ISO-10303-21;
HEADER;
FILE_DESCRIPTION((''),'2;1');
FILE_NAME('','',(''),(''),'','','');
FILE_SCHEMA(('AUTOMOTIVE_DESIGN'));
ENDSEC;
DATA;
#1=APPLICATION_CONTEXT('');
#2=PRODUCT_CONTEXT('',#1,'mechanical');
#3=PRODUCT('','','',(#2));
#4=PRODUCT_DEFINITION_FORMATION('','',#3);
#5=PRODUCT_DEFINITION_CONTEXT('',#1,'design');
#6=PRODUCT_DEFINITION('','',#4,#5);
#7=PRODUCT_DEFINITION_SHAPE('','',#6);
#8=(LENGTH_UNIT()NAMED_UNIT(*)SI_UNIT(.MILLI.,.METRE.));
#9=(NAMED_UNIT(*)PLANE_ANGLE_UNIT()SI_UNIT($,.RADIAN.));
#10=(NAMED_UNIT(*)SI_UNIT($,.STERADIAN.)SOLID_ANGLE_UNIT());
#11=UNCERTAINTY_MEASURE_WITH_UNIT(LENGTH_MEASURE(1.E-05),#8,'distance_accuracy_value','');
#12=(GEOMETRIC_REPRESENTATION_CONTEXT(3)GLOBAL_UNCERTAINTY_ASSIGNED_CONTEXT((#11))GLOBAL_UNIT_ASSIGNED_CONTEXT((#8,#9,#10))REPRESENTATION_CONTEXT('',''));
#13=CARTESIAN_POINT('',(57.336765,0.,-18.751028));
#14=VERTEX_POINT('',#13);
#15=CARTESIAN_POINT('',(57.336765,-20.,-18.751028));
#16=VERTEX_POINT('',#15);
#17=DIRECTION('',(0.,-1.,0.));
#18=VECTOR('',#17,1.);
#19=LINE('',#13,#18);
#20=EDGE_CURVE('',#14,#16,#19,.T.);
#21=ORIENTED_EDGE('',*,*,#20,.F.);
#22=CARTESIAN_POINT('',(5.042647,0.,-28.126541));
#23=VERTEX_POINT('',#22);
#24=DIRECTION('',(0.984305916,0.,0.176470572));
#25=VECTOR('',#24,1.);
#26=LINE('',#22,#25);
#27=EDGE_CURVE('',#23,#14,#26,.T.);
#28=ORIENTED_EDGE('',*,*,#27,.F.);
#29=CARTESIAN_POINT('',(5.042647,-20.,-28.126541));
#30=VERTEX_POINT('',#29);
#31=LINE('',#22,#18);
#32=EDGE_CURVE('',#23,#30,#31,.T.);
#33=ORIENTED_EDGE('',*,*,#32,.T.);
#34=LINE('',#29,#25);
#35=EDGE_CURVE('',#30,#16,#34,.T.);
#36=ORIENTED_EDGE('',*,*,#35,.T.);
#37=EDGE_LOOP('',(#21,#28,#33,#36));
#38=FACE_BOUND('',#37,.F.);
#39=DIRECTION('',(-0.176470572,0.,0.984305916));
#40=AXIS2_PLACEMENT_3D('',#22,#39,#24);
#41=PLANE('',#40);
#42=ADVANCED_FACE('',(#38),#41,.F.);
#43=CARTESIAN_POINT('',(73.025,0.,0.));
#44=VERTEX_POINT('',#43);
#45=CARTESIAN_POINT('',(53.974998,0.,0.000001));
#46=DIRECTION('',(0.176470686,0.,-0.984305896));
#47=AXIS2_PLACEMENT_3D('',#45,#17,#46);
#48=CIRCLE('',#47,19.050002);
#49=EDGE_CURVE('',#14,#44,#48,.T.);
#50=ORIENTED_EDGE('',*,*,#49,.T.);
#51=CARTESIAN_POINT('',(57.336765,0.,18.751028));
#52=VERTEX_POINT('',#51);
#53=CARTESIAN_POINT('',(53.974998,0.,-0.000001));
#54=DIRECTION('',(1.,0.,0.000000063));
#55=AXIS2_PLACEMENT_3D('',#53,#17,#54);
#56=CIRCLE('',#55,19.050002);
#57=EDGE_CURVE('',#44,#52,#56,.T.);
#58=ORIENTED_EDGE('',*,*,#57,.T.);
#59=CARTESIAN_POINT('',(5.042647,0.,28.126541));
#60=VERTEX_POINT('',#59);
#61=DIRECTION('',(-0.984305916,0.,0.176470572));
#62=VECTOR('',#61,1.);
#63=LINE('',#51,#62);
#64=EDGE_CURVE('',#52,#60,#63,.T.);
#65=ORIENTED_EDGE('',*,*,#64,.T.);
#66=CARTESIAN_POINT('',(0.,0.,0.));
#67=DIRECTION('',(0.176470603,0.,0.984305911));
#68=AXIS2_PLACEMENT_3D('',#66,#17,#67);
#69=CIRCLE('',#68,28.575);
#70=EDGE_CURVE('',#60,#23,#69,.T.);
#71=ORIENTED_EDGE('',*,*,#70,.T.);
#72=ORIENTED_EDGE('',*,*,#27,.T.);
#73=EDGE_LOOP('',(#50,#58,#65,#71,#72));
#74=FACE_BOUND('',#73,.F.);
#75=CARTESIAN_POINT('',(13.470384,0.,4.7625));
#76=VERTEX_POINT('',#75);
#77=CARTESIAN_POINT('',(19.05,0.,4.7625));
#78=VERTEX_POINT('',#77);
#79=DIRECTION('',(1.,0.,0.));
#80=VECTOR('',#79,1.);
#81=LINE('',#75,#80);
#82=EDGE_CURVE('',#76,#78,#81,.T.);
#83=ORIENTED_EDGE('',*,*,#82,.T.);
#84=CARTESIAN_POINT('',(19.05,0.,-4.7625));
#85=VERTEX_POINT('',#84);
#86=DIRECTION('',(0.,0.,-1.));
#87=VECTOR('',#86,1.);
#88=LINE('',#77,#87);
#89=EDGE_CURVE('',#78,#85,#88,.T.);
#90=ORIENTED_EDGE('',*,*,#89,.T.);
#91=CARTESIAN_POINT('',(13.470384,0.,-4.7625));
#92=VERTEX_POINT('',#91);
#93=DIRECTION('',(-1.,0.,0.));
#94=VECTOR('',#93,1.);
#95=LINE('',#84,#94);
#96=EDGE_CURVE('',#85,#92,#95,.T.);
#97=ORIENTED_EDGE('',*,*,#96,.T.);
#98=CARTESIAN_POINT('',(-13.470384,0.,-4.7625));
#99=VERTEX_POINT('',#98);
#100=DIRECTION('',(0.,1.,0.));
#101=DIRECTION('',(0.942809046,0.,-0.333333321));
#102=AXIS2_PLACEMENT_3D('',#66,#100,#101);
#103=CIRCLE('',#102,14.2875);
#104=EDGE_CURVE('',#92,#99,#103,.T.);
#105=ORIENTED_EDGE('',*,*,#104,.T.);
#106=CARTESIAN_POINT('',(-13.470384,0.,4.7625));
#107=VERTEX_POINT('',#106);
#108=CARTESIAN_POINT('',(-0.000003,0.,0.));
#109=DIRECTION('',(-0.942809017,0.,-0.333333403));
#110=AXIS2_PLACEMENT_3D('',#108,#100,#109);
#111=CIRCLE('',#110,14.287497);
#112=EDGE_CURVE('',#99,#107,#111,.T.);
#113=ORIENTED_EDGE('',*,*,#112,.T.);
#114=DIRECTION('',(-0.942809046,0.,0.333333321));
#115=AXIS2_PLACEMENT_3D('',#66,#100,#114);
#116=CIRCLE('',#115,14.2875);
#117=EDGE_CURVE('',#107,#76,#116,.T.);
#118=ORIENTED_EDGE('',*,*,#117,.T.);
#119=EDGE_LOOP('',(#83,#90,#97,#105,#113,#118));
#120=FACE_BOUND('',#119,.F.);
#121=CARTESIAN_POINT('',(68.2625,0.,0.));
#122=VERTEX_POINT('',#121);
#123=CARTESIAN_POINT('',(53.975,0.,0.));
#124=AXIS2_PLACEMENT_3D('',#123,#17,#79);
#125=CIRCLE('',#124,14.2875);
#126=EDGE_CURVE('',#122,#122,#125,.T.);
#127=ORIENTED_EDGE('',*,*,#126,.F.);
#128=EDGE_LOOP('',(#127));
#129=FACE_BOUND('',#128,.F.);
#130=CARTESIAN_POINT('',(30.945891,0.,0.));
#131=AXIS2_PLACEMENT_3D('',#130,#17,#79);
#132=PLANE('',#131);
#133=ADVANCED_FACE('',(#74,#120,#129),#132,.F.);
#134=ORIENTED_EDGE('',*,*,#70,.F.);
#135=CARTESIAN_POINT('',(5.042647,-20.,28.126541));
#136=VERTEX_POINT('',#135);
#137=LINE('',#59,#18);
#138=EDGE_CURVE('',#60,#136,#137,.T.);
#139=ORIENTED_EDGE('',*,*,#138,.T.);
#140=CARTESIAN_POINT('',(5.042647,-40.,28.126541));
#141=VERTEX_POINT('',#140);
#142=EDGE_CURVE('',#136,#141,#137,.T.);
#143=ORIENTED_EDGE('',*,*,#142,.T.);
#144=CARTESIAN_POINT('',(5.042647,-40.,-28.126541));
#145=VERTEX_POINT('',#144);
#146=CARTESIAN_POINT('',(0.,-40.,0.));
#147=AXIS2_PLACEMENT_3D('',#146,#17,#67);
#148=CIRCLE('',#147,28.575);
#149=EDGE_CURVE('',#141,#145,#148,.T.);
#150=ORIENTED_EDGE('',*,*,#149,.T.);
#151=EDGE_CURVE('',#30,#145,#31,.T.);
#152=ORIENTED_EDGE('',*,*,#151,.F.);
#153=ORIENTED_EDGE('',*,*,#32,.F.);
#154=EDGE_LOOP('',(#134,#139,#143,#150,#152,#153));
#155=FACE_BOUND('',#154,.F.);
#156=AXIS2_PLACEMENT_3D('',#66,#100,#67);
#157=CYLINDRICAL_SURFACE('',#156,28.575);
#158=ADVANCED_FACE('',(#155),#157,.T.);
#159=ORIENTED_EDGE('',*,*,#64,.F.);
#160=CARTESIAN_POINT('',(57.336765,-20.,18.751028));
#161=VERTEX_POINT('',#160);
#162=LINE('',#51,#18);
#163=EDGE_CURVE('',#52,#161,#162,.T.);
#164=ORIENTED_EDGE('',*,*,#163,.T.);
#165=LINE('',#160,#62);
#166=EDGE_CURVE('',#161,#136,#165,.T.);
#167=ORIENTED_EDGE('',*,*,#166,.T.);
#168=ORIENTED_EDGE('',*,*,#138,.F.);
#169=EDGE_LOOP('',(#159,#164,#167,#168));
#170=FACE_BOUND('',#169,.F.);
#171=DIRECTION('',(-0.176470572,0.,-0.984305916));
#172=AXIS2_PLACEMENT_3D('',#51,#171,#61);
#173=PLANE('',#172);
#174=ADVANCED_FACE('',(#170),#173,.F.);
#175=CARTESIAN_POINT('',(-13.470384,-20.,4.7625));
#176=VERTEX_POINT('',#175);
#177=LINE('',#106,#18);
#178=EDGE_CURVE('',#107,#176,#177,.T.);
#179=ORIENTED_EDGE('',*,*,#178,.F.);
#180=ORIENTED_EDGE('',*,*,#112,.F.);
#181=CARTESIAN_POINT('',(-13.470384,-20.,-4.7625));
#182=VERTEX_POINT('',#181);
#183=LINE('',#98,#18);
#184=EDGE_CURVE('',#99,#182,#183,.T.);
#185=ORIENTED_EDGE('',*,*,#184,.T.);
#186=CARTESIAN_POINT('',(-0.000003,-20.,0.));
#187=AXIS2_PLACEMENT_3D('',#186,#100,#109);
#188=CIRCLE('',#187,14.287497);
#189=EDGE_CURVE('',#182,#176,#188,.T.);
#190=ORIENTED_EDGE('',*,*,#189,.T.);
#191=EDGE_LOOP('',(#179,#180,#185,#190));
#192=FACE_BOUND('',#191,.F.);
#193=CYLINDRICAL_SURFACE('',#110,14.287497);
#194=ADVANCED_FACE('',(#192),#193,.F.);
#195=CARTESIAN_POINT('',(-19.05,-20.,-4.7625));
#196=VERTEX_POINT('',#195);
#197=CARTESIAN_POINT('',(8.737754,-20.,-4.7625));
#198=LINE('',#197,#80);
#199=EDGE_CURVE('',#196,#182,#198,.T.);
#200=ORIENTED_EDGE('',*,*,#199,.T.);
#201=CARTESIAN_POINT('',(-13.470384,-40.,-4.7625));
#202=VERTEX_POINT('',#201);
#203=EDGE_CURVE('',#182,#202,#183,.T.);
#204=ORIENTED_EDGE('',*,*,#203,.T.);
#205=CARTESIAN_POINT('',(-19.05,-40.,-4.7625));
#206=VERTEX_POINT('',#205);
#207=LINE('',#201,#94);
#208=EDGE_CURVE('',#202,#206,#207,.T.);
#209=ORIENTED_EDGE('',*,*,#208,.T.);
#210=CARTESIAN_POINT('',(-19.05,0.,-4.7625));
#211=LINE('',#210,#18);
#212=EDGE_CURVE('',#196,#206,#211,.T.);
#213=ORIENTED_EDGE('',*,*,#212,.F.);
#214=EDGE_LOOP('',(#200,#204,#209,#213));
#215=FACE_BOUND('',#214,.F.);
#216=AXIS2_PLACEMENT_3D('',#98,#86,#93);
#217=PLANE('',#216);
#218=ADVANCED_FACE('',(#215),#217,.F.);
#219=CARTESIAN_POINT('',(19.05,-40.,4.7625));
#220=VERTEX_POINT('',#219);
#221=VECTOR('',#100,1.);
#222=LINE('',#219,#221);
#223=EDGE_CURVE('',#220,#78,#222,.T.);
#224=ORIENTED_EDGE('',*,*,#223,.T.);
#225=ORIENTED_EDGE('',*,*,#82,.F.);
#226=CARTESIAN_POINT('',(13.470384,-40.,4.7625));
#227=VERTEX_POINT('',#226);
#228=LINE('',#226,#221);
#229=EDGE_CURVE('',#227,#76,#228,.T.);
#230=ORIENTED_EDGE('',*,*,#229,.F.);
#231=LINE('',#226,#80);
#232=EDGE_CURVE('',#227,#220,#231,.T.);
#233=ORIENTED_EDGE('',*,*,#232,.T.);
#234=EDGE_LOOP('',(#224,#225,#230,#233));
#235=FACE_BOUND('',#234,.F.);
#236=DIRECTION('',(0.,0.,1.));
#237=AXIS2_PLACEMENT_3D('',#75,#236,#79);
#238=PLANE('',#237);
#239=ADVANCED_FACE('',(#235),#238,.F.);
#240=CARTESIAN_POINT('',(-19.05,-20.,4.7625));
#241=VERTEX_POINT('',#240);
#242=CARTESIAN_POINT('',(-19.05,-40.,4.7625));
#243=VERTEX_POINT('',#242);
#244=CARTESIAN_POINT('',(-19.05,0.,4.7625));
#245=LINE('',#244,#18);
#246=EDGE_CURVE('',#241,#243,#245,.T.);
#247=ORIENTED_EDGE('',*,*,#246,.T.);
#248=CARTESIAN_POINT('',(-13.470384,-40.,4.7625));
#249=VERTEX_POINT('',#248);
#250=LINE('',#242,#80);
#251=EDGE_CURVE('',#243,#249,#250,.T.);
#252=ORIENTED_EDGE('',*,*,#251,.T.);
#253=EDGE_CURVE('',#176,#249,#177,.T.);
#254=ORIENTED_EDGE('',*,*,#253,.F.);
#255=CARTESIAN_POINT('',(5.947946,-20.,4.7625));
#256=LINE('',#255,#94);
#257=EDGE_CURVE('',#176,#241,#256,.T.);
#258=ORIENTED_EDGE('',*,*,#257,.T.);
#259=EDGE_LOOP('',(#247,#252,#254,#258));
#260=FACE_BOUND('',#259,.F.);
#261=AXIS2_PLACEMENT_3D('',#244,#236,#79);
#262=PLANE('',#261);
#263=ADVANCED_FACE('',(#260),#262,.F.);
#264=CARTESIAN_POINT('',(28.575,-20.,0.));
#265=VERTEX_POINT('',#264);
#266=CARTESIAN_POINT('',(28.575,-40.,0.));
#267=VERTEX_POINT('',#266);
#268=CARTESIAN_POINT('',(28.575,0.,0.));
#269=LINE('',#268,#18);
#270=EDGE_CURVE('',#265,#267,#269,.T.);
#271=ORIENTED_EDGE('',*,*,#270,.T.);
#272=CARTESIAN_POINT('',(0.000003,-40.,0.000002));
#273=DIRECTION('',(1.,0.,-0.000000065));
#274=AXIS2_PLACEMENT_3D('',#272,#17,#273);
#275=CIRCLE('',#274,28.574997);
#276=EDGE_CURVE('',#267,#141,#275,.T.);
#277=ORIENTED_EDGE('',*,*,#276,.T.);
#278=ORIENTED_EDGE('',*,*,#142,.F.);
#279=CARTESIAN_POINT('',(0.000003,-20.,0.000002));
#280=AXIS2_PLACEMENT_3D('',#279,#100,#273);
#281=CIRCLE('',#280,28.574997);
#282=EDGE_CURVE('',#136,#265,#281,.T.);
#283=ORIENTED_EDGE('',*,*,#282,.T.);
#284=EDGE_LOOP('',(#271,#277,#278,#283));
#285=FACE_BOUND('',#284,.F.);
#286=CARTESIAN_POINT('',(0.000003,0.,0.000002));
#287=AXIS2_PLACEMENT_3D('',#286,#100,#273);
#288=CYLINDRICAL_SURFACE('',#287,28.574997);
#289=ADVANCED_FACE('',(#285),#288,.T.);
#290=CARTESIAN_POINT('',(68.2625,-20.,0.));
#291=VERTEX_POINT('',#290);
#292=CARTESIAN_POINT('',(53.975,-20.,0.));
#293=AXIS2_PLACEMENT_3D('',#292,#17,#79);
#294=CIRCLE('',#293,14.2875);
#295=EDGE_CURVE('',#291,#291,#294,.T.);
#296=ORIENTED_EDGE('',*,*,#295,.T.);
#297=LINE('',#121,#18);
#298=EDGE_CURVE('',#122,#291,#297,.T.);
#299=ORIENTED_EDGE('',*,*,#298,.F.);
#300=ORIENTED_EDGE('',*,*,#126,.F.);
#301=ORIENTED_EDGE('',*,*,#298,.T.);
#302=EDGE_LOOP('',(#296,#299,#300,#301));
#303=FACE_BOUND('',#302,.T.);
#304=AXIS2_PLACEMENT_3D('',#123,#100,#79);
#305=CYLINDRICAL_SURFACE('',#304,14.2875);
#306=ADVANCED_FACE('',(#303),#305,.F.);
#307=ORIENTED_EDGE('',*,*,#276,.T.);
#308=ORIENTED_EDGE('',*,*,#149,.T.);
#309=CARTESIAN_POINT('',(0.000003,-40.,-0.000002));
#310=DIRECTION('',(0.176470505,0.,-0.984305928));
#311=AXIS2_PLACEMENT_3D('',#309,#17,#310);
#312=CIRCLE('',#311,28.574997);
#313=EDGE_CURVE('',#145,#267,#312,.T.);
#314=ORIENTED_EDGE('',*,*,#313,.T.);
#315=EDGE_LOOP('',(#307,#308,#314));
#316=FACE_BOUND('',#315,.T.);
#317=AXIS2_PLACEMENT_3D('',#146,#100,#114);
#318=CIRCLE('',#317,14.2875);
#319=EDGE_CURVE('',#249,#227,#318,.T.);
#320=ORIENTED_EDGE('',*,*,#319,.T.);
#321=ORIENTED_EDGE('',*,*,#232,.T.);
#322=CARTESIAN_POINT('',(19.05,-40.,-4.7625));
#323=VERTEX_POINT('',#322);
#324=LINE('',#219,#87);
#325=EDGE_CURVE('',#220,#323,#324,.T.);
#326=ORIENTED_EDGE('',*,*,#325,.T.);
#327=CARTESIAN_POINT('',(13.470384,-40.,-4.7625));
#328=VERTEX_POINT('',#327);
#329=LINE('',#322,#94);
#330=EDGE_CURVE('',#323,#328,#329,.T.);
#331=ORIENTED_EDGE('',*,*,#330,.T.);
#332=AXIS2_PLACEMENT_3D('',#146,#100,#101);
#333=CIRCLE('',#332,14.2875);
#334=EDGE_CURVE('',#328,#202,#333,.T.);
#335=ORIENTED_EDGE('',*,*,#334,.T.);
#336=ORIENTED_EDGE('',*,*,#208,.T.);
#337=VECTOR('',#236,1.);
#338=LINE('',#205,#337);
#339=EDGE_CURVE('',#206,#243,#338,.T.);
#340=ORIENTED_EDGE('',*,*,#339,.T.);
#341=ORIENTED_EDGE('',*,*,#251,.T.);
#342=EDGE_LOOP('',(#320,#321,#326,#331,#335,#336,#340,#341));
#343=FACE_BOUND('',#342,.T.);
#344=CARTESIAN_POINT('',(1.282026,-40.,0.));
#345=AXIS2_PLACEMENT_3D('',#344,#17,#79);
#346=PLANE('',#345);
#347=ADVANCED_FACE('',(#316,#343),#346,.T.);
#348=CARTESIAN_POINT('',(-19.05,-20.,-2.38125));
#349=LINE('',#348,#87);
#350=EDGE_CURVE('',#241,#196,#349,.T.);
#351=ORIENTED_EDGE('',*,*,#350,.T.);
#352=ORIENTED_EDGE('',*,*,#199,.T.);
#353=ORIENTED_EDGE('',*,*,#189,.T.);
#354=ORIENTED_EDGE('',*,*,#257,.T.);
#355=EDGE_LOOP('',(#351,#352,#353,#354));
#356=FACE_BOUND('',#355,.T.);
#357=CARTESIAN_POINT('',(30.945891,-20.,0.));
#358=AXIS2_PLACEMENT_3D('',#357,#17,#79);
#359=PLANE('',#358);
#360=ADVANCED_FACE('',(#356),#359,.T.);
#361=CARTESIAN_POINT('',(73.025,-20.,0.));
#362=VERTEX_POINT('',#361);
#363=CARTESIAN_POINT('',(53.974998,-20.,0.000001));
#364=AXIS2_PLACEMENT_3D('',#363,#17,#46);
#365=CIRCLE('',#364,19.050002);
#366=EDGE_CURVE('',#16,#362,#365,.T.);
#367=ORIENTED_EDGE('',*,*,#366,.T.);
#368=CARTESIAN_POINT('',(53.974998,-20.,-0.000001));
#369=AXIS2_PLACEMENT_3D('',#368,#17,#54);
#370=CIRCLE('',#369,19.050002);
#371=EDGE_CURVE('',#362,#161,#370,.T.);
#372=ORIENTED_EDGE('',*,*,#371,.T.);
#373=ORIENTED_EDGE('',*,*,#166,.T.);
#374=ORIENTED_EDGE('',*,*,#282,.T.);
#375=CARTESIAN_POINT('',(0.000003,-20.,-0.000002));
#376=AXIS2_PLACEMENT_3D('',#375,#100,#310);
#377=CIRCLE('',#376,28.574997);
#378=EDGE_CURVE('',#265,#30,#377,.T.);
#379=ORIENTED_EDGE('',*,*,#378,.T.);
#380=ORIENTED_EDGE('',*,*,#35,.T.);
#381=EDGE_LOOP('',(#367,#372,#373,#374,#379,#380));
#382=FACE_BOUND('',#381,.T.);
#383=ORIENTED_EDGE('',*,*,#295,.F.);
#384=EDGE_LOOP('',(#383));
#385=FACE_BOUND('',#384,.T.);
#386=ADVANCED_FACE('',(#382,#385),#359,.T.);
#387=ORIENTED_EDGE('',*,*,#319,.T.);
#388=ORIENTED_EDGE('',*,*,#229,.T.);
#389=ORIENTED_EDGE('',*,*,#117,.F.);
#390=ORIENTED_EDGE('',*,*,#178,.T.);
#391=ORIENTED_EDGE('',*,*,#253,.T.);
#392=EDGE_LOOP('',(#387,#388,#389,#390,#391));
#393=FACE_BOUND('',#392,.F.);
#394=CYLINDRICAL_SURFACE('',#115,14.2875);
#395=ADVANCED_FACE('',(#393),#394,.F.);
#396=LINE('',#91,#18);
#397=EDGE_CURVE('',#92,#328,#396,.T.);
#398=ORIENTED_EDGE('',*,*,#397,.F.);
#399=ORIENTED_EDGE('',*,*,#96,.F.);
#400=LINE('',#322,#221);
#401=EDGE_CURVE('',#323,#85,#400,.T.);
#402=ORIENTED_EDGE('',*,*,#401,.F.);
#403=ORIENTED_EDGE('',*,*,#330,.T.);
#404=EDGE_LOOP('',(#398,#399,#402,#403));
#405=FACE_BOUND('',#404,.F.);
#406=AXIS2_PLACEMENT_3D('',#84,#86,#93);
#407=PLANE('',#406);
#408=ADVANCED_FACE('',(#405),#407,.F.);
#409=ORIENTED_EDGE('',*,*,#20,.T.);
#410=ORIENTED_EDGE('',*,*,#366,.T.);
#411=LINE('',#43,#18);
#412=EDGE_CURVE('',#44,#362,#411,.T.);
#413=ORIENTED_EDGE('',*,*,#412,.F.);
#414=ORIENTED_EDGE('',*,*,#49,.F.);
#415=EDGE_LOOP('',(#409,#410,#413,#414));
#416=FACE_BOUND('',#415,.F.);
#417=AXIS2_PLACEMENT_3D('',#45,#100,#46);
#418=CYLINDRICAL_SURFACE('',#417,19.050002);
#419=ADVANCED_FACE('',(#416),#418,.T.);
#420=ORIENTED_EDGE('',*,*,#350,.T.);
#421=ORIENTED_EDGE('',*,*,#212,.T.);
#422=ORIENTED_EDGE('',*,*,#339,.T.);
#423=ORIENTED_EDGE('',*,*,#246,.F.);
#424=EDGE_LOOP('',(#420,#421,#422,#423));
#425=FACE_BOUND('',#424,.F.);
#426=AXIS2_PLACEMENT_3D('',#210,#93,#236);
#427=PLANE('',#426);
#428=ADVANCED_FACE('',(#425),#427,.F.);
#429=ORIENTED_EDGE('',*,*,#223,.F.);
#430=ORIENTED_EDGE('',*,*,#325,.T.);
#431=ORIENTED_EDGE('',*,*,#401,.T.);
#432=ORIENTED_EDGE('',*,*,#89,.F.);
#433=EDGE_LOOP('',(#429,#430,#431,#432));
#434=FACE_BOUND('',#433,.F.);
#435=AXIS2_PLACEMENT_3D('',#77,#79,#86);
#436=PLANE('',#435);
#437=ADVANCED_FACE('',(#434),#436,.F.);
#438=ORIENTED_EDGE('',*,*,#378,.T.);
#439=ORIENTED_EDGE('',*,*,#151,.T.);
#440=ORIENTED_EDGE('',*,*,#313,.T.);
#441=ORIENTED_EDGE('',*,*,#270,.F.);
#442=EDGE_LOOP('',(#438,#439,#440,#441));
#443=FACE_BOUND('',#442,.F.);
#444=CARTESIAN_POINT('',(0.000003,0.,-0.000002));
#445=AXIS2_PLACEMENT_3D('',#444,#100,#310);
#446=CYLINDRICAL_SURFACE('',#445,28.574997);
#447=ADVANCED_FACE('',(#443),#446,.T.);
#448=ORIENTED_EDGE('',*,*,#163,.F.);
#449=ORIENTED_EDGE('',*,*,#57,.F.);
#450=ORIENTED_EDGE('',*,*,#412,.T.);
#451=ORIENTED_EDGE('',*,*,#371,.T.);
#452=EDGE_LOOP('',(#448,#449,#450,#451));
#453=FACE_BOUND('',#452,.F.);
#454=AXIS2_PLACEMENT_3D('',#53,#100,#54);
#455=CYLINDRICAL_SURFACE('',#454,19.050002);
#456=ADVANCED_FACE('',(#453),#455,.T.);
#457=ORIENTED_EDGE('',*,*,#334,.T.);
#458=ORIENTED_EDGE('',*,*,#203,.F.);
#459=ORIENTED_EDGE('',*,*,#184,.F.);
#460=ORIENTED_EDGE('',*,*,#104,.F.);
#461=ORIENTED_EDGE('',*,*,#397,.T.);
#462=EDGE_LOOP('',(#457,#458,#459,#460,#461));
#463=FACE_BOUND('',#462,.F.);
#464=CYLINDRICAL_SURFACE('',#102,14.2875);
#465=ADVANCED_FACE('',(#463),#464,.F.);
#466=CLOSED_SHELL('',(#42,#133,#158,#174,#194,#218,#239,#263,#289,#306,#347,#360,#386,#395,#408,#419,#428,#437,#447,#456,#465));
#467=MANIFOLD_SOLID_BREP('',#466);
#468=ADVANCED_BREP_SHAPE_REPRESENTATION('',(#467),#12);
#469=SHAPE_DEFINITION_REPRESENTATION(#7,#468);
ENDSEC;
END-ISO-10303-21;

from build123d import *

# Parameters (mm, degrees)
F0_R     = 14.2875
F1_DEPTH = 20
F2_DEPTH = 40


with BuildPart() as f1:
    # F0 (on Front) → F1 (new body)
    with BuildSketch(Plane.XZ):
        with BuildLine():
            ThreePointArc((5.042647, 28.126541), (21.916025, 18.336262), (28.575, 0))
            ThreePointArc((28.575, 0), (21.916025, -18.336262), (5.042647, -28.126541))
            Line((5.042647, -28.126541), (57.336765, -18.751028))
            ThreePointArc((57.336765, -18.751028), (34.925, 0), (57.336765, 18.751028))
            Line((57.336765, 18.751028), (5.042647, 28.126541))
        make_face()
        with BuildLine():
            ThreePointArc((73.025, 0), (68.585683, 12.224174), (57.336765, 18.751028))
            ThreePointArc((57.336765, 18.751028), (34.925, 0), (57.336765, -18.751028))
            ThreePointArc((57.336765, -18.751028), (68.585683, -12.224174), (73.025, 0))
        make_face()
        with Locations((53.975, 0)):
            Circle(F0_R, mode=Mode.SUBTRACT)
        with BuildLine():
            ThreePointArc((5.042647, -28.126541), (21.916025, -18.336262), (28.575, 0))
            ThreePointArc((28.575, 0), (21.916025, 18.336262), (5.042647, 28.126541))
            ThreePointArc((5.042647, 28.126541), (-28.575, 0), (5.042647, -28.126541))
        make_face()
        with BuildLine():
            ThreePointArc((-13.470384, 4.7625), (0, 14.2875), (13.470384, 4.7625))
            Line((13.470384, 4.7625), (19.05, 4.7625))
            Line((19.05, 4.7625), (19.05, -4.7625))
            Line((19.05, -4.7625), (13.470384, -4.7625))
            ThreePointArc((13.470384, -4.7625), (0, -14.2875), (-13.470384, -4.7625))
            Line((-13.470384, -4.7625), (-19.05, -4.7625))
            Line((-19.05, -4.7625), (-19.05, 4.7625))
            Line((-19.05, 4.7625), (-13.470384, 4.7625))
        make_face(mode=Mode.SUBTRACT)
        with BuildLine():
            ThreePointArc((-13.470384, -4.7625), (-14.2875, 0), (-13.470384, 4.7625))
            Line((-13.470384, 4.7625), (-19.05, 4.7625))
            Line((-19.05, 4.7625), (-19.05, -4.7625))
            Line((-19.05, -4.7625), (-13.470384, -4.7625))
        make_face()
    extrude(amount=F1_DEPTH)

    # F0 (on Front) → F2 (join)
    with BuildSketch(Plane.XZ):
        with BuildLine():
            ThreePointArc((5.042647, -28.126541), (21.916025, -18.336262), (28.575, 0))
            ThreePointArc((28.575, 0), (21.916025, 18.336262), (5.042647, 28.126541))
            ThreePointArc((5.042647, 28.126541), (-28.575, 0), (5.042647, -28.126541))
        make_face()
        with BuildLine():
            ThreePointArc((-13.470384, 4.7625), (0, 14.2875), (13.470384, 4.7625))
            Line((13.470384, 4.7625), (19.05, 4.7625))
            Line((19.05, 4.7625), (19.05, -4.7625))
            Line((19.05, -4.7625), (13.470384, -4.7625))
            ThreePointArc((13.470384, -4.7625), (0, -14.2875), (-13.470384, -4.7625))
            Line((-13.470384, -4.7625), (-19.05, -4.7625))
            Line((-19.05, -4.7625), (-19.05, 4.7625))
            Line((-19.05, 4.7625), (-13.470384, 4.7625))
        make_face(mode=Mode.SUBTRACT)
    extrude(amount=F2_DEPTH)


solid = f1.part
